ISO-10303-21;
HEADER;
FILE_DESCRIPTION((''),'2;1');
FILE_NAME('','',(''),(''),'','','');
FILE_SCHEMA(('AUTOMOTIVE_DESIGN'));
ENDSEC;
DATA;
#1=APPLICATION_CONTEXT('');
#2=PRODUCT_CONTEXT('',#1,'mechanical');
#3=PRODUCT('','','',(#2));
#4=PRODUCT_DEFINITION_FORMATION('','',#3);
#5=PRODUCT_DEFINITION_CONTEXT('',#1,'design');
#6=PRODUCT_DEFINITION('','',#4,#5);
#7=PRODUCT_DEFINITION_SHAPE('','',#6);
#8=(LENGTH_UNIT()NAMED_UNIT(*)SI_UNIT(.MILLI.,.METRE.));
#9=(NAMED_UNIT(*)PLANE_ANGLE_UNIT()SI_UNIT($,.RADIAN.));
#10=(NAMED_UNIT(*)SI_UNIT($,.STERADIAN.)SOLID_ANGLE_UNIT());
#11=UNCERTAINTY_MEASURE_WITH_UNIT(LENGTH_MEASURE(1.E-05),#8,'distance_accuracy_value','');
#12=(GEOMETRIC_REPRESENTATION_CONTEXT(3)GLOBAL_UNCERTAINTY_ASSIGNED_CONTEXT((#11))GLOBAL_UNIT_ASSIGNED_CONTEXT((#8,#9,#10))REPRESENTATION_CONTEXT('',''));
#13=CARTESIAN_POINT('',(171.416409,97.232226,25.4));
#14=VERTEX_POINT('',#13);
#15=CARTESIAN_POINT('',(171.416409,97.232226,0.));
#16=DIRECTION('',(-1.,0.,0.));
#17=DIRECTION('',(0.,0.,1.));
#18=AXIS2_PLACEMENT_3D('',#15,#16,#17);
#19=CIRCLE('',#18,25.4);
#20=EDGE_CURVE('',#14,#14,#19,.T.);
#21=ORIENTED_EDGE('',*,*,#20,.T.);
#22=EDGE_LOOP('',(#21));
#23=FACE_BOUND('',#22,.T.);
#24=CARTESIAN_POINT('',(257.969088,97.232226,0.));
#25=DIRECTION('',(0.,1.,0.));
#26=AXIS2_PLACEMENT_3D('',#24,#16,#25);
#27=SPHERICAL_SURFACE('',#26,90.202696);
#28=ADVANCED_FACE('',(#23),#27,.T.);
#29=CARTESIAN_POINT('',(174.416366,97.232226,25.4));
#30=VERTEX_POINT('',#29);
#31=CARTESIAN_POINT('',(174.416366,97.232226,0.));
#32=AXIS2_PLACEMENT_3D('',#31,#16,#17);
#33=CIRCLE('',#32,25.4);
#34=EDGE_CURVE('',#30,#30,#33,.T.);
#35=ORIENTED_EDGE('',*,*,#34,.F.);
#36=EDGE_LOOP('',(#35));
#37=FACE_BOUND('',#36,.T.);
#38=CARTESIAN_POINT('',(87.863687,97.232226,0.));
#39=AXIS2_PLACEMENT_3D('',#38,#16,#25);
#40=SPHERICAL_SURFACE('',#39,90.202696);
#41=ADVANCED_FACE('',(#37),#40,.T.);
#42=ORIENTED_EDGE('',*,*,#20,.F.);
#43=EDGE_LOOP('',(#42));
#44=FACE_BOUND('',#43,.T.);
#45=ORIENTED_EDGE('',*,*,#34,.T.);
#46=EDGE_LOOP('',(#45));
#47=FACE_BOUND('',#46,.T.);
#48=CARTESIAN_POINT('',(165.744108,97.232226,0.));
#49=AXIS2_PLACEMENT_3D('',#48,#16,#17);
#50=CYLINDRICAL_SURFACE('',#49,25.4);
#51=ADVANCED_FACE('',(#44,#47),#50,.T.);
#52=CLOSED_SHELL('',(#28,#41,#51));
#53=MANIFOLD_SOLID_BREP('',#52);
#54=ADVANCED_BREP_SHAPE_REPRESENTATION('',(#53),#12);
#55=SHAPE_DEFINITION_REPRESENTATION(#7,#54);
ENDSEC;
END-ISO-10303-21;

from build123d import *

# Parameters (mm, degrees)
SKETCH_1_ONE_SIDE_W = 2.999957714
SKETCH_1_ONE_SIDE_H = 25.4


with BuildPart() as part:
    # 草图1 one side → 旋转1 (revolve)
    with BuildSketch(Plane.XY):
        with Locations((172.916387549, 109.932226046)):
            Rectangle(SKETCH_1_ONE_SIDE_W, SKETCH_1_ONE_SIDE_H)
        with BuildLine():
            Line((167.766392406, 97.232226046), (171.416408692, 97.232226046))
            Line((171.416408692, 97.232226046), (171.416408692, 122.632226046))
            ThreePointArc((171.416408692, 122.632226046), (168.683559282, 110.062684133), (167.766392406, 97.232226046))
        make_face()
        with BuildLine():
            Line((174.416366406, 97.232226046), (178.066382692, 97.232226046))
            ThreePointArc((178.066382692, 97.232226046), (177.149215816, 110.062684133), (174.416366406, 122.632226046))
            Line((174.416366406, 122.632226046), (174.416366406, 97.232226046))
        make_face()
    revolve(axis=Axis((165.744107942, 97.232226046, 0), (1, 0, 0)))


solid = part.part
